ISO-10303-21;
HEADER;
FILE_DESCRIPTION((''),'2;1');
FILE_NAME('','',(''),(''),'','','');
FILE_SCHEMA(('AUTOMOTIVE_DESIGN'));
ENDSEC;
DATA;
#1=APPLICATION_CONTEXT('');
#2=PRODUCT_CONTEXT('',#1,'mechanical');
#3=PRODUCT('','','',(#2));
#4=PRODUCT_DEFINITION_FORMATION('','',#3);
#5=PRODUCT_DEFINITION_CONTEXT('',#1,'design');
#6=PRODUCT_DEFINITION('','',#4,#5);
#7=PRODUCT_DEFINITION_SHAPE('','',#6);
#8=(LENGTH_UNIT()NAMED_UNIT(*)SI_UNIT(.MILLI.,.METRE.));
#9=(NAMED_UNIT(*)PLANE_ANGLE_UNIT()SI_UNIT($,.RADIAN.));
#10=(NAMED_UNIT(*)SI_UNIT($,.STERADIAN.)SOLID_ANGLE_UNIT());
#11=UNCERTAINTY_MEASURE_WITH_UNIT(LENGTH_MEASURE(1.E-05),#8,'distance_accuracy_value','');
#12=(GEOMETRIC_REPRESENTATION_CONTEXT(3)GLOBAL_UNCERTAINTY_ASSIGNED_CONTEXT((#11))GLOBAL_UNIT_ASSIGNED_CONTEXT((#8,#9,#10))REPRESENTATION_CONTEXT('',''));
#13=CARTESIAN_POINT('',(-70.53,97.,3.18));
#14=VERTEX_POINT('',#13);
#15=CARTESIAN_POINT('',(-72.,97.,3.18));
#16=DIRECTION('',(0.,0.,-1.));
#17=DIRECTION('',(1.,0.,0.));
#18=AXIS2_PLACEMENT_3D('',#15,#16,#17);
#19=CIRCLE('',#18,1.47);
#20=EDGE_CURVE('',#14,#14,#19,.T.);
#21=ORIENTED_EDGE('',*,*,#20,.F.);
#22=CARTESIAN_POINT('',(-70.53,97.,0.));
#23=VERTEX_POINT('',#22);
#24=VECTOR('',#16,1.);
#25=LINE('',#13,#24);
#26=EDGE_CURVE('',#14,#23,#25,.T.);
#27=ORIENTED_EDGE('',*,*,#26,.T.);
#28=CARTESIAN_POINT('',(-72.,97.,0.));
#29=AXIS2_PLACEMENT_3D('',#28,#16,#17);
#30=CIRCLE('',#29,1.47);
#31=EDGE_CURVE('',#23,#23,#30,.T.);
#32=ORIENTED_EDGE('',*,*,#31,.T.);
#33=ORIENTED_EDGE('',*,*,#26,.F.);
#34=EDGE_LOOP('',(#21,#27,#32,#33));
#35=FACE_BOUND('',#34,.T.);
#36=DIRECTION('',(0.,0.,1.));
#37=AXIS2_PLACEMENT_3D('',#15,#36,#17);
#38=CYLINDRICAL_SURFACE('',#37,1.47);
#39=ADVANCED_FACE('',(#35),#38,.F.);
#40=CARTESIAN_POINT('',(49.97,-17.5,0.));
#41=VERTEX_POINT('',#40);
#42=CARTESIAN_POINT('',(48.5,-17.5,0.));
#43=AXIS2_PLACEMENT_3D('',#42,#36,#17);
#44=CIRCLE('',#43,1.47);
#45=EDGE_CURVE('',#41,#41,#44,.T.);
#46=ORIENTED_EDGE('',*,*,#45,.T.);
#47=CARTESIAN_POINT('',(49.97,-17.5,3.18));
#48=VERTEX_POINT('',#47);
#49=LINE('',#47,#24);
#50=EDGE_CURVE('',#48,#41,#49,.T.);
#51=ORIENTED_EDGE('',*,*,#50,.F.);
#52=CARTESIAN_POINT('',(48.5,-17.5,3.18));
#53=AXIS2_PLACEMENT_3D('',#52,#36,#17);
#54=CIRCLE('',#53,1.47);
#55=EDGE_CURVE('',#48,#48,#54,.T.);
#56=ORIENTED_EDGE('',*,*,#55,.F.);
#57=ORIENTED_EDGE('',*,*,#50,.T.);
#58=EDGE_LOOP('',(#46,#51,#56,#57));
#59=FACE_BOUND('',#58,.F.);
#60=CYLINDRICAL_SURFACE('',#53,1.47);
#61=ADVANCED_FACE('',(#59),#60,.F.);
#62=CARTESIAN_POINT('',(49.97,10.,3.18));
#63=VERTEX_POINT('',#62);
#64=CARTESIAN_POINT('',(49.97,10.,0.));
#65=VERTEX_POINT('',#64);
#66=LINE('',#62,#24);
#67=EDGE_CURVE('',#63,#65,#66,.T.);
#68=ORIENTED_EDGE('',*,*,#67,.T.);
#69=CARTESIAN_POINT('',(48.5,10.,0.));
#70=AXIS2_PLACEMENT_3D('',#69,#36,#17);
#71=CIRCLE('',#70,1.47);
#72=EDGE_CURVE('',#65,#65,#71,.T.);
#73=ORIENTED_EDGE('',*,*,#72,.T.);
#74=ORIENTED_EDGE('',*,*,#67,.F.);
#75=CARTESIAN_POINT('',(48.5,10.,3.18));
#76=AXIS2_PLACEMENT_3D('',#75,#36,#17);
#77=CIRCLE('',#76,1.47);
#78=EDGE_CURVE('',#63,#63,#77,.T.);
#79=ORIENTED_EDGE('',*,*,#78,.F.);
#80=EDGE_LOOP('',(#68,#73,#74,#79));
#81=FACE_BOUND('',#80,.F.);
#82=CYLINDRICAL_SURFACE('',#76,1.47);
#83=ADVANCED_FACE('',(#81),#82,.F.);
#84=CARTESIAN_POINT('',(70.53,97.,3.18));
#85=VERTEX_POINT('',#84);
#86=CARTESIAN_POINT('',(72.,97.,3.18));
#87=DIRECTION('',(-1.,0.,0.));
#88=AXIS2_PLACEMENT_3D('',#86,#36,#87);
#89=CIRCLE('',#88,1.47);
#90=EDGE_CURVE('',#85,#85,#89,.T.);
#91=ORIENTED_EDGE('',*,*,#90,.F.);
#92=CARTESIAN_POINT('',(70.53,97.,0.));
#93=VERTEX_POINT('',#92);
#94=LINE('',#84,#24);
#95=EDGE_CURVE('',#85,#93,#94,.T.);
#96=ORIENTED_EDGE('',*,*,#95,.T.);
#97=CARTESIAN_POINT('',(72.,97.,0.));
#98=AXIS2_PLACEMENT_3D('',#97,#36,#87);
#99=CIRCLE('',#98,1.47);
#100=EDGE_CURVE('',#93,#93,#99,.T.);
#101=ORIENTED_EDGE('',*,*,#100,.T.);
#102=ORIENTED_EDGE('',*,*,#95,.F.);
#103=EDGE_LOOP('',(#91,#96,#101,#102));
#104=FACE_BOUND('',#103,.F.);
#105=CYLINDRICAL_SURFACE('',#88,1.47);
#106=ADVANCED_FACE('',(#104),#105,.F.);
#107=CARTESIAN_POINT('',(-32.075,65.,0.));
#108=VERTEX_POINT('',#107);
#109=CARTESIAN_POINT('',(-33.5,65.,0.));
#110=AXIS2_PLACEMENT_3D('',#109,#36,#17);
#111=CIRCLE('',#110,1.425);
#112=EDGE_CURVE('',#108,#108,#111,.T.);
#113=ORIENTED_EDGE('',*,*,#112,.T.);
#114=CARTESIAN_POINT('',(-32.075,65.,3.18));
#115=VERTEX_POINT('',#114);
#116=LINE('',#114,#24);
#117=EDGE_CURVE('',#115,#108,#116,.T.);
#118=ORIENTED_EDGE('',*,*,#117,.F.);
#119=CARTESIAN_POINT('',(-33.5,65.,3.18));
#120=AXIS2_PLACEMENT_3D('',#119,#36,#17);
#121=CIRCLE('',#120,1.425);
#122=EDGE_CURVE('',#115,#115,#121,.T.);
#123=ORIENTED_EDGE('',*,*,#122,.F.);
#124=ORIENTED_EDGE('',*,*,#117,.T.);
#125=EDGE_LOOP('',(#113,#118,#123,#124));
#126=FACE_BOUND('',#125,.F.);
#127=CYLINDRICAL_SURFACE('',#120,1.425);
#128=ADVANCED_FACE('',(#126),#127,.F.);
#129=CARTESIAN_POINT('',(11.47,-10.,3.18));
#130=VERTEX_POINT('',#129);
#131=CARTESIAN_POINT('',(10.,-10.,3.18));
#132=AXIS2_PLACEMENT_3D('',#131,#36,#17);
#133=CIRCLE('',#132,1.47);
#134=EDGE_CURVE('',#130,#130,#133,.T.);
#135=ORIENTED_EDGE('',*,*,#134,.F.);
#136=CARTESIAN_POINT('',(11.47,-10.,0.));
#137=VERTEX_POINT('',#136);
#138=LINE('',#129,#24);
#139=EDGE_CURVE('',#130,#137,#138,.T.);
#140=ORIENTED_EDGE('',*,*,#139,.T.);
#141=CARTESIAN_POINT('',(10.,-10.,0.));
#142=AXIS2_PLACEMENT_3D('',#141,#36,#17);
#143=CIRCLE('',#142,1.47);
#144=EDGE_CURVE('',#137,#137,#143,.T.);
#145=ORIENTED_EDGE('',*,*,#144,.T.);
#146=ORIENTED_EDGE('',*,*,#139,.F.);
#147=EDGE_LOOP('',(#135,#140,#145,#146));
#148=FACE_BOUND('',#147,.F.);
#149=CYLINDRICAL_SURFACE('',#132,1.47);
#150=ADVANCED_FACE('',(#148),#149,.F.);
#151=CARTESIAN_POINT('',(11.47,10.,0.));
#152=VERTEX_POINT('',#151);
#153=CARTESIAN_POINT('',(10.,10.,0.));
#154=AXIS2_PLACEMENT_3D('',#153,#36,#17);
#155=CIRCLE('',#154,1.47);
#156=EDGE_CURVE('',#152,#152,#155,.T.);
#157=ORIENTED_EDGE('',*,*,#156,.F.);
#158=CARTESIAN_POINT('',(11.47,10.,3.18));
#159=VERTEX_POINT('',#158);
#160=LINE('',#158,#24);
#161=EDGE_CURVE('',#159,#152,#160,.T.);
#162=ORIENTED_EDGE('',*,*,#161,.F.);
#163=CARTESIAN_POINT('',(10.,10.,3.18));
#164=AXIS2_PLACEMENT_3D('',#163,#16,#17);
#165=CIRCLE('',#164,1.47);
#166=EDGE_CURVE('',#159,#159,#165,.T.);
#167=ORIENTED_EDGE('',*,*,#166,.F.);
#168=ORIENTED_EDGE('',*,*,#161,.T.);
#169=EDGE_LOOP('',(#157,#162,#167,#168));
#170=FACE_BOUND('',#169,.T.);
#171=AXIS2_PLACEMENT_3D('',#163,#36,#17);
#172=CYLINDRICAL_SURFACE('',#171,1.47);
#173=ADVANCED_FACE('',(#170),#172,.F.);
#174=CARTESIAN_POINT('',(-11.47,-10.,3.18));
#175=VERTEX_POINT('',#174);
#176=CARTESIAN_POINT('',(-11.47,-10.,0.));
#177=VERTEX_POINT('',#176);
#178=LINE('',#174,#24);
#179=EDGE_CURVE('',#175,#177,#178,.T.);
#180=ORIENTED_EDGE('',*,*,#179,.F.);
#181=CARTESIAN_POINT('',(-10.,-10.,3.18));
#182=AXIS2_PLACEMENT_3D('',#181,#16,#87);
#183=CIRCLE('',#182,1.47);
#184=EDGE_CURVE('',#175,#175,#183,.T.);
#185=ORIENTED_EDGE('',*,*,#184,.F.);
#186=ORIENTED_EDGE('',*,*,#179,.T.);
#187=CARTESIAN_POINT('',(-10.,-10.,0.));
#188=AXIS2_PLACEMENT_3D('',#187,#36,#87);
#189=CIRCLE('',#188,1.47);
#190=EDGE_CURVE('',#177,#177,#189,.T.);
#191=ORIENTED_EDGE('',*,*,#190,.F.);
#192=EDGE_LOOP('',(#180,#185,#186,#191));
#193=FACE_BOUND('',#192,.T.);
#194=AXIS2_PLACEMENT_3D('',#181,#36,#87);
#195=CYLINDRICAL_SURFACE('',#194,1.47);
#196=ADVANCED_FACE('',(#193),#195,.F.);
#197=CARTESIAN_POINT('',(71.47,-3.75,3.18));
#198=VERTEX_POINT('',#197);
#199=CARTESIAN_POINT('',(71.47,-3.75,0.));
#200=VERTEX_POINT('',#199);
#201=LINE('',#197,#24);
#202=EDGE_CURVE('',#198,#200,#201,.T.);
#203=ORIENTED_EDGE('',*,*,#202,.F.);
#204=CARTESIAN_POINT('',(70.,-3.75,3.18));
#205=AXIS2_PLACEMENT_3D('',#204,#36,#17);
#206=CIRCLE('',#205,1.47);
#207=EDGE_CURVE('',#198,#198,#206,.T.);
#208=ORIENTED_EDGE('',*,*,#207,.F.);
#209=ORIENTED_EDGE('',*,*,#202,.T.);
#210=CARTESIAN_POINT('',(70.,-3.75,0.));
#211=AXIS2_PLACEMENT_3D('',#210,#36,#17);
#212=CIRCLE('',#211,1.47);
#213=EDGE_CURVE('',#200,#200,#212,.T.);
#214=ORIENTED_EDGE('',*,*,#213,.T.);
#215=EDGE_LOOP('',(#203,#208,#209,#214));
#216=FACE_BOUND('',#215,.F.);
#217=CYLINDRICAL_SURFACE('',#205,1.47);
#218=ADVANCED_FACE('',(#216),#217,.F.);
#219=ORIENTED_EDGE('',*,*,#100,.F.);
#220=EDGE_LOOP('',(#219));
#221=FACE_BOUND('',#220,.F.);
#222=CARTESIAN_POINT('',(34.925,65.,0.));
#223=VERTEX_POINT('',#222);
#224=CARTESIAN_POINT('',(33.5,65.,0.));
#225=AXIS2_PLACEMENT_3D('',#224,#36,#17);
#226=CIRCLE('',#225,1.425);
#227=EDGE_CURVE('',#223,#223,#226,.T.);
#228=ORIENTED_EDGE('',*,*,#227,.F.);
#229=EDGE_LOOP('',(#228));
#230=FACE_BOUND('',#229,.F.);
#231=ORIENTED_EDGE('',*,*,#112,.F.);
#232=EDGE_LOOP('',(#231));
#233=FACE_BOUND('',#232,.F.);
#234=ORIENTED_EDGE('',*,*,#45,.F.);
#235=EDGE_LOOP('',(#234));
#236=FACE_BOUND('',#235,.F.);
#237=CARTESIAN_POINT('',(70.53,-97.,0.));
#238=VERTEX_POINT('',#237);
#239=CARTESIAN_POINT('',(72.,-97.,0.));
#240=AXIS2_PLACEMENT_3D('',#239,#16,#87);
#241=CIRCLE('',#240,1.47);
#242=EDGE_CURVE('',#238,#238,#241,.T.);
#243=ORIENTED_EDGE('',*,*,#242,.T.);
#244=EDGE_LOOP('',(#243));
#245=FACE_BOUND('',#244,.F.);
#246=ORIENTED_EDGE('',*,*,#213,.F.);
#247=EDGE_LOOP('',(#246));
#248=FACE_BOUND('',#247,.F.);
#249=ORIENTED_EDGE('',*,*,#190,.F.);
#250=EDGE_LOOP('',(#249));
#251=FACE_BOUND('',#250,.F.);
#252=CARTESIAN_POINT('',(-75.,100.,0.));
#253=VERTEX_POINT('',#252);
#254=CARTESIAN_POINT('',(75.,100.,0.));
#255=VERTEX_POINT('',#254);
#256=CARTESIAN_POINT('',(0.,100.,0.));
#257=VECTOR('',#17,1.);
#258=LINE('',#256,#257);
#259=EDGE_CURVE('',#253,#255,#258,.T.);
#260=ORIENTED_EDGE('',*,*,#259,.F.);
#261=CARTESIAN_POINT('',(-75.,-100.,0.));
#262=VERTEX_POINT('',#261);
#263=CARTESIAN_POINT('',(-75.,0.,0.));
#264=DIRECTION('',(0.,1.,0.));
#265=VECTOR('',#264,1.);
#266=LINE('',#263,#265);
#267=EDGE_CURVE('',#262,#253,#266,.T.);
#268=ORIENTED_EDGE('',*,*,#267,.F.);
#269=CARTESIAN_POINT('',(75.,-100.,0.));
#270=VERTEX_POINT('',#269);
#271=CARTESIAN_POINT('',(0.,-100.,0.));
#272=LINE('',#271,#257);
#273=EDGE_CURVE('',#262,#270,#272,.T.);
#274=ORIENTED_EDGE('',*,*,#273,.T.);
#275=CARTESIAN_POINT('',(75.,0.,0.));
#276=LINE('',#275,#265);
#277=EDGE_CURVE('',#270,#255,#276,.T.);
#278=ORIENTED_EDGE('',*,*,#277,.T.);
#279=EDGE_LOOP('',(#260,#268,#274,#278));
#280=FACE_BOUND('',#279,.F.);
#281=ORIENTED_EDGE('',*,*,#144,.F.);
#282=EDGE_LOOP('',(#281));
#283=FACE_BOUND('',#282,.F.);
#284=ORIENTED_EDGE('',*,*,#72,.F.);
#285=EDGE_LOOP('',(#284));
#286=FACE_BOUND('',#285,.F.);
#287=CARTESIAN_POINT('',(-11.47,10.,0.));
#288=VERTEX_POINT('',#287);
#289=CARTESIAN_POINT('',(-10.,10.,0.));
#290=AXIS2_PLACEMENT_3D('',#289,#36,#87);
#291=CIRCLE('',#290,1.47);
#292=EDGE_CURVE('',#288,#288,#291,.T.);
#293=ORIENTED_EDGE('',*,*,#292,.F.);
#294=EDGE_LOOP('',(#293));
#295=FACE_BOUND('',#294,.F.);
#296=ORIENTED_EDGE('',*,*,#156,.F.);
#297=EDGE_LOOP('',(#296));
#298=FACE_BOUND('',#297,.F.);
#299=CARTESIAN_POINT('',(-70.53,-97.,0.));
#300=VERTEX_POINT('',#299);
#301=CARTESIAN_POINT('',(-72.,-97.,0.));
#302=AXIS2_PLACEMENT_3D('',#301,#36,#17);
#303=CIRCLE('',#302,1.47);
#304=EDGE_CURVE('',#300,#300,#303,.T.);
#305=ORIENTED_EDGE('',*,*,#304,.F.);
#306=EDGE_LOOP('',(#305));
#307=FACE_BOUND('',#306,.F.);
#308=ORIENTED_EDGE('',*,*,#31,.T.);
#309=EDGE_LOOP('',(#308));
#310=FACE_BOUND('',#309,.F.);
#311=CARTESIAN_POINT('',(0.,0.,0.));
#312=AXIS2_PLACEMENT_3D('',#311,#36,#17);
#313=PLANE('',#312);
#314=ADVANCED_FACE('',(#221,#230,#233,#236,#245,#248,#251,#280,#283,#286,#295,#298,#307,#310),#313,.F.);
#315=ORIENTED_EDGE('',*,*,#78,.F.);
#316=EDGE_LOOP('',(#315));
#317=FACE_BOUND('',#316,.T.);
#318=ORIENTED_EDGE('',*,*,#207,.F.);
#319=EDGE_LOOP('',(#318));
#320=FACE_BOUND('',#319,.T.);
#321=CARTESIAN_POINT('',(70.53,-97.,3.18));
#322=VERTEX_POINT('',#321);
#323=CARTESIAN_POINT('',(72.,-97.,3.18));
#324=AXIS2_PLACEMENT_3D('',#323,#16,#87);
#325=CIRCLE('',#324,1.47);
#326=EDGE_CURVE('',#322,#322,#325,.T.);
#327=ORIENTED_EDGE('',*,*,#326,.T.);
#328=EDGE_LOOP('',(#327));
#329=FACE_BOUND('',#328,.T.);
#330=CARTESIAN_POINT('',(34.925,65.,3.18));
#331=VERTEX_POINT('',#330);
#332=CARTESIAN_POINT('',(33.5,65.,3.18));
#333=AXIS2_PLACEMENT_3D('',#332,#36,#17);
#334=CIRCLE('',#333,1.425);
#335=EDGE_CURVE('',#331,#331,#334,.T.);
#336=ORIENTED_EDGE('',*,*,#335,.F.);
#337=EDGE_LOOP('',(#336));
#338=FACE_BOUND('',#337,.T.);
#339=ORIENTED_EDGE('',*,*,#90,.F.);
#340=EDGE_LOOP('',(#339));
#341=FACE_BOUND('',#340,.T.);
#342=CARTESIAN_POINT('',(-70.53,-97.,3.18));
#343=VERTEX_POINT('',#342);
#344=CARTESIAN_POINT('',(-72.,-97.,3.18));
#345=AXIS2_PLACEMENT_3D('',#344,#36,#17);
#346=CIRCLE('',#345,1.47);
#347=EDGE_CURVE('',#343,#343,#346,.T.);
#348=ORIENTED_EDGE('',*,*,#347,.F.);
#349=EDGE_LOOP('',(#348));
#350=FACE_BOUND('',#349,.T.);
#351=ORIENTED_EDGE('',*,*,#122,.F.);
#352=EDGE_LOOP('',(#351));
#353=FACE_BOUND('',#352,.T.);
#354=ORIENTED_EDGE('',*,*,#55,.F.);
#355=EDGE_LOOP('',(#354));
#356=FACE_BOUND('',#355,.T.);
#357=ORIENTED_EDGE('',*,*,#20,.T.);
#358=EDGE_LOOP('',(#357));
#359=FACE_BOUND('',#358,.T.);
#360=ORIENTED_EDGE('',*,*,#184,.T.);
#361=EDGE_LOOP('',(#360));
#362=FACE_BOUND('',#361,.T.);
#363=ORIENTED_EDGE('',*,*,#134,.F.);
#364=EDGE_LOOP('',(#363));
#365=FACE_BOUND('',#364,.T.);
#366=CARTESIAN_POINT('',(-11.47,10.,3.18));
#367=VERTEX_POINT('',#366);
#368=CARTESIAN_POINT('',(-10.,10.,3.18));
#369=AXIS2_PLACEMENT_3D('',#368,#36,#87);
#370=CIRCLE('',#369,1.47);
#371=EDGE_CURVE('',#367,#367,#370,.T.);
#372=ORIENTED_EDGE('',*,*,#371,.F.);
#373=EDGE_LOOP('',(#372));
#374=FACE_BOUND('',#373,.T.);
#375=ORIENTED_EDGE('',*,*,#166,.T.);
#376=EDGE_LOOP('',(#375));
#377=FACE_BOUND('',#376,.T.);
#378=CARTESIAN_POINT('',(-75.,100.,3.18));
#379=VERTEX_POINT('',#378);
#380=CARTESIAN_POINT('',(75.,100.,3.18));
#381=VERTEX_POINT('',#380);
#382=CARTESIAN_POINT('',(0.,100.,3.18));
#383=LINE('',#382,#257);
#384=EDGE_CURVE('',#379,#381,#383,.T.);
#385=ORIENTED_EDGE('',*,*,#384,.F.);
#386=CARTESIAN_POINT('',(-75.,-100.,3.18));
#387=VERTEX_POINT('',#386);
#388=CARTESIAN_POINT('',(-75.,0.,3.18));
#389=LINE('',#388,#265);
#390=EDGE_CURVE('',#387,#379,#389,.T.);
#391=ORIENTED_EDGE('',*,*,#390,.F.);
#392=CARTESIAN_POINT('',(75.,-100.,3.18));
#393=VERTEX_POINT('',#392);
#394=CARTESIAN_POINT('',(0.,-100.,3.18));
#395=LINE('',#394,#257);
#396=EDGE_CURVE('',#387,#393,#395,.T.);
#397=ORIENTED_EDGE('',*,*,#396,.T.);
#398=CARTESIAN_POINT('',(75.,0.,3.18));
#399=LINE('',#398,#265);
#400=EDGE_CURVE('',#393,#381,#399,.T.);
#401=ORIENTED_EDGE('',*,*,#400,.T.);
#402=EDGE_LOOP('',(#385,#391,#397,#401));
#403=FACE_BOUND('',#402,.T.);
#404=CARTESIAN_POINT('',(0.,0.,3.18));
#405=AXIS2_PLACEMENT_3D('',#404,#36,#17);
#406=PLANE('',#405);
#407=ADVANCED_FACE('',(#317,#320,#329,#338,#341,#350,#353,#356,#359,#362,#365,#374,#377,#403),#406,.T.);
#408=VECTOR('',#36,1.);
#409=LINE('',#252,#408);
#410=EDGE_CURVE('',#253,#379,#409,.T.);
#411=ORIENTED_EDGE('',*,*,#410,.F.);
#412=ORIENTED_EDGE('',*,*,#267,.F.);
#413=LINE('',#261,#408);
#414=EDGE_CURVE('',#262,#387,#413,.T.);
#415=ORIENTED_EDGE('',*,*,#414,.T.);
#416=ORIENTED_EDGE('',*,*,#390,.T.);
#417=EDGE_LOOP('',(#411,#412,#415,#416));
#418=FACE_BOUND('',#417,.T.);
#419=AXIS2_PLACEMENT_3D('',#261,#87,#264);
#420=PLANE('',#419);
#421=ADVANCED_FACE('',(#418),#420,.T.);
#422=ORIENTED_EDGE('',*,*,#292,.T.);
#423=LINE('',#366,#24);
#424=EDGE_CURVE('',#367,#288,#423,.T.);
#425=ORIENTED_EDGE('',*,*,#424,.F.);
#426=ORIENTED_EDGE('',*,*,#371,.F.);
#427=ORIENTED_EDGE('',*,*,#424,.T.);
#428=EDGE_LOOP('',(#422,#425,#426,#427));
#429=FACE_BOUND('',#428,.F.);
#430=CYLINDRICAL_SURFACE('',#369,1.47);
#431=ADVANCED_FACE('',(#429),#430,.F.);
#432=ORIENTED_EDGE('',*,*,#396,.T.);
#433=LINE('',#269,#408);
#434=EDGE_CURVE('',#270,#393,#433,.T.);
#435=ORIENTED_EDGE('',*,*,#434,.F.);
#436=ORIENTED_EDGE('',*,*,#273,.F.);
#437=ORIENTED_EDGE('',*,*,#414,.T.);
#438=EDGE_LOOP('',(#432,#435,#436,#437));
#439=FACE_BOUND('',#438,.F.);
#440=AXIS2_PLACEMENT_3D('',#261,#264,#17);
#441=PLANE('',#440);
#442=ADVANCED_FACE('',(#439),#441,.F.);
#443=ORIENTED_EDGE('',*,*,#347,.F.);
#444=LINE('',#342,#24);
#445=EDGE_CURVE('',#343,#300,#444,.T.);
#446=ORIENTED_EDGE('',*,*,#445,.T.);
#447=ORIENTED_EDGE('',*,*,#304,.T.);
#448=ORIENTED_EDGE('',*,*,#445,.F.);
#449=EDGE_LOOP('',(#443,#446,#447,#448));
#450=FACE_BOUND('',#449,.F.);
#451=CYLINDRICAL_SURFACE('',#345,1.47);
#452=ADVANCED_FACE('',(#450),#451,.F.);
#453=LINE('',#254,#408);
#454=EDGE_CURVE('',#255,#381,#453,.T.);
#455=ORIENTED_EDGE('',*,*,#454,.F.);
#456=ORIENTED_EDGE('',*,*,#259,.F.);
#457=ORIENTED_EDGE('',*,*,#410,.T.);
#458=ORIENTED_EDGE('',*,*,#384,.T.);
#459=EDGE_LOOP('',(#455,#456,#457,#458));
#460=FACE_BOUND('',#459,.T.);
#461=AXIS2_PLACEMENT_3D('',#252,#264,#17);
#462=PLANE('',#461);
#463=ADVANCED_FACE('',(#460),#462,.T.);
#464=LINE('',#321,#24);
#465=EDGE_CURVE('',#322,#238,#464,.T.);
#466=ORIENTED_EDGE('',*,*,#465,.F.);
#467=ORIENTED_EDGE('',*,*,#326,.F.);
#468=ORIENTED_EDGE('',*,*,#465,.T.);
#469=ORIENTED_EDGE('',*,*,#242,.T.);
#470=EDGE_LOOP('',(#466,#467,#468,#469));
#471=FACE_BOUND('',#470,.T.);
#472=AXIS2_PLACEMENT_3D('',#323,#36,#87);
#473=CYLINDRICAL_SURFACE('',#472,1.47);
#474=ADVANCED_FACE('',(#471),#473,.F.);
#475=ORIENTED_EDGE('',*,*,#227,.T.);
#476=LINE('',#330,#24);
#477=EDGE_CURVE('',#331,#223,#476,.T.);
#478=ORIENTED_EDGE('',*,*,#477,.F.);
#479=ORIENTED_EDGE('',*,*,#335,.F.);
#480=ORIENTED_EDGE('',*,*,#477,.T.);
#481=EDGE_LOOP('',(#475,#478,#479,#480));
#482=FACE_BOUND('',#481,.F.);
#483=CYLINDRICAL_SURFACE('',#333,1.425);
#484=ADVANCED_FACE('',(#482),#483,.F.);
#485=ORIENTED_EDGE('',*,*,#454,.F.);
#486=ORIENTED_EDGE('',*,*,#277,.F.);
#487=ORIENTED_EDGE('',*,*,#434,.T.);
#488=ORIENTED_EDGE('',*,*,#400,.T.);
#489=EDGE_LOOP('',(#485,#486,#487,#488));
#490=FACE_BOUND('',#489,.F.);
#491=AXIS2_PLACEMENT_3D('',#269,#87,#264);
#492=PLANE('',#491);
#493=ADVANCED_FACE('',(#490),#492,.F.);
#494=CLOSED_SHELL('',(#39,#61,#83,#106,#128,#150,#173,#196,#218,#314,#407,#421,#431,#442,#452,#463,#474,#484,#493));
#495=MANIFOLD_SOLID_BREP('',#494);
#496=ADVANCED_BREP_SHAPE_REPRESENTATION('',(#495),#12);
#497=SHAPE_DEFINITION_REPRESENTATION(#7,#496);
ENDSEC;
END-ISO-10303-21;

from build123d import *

# Parameters (mm, degrees)
SKETCH1_W               = 150
SKETCH1_H               = 200
BOSS_EXTRUDE1_DEPTH     = 3.18
SKETCH4_R               = 1.47
CUT_EXTRUDE2_DEPTH      = 10
MIRROR4_COPY_1_SKETCH_R = 1.47
MIRROR4_COPY_1_DEPTH    = 10
MIRROR4_COPY_2_SKETCH_R = 1.47
MIRROR4_COPY_2_DEPTH    = 10
SKETCH5_R               = 1.47
CUT_EXTRUDE3_DEPTH      = 3.18
MIRROR6_COPY_1_SKETCH_R = 1.47
MIRROR6_COPY_1_DEPTH    = 3.18
MIRROR6_COPY_2_SKETCH_R = 1.47
MIRROR6_COPY_2_DEPTH    = 3.18
SKETCH6_R               = 1.425
CUT_EXTRUDE5_DEPTH      = 3.18
SKETCH7_R               = 1.47
CUT_EXTRUDE6_DEPTH      = 3.18


with BuildPart() as part:
    # Sketch1 → Boss-Extrude1 (new body)
    with BuildSketch(Plane.XY):
        Rectangle(SKETCH1_W, SKETCH1_H)
    extrude(amount=BOSS_EXTRUDE1_DEPTH)

    # Sketch4 → Cut-Extrude2 (cut)
    with BuildSketch(Plane.XY.offset(3.18)):
        with Locations((10, -10)):
            Circle(SKETCH4_R)
    cut_extrude2 = extrude(amount=-CUT_EXTRUDE2_DEPTH, mode=Mode.SUBTRACT)

    # Mirror3: Cut-Extrude2 across plane
    add(cut_extrude2.mirror(Plane(origin=(0, 0, 0), x_dir=(0, 0, 1), z_dir=(1, 0, 0))), mode=Mode.SUBTRACT)

    # Mirror4 copy 1 sketch → Mirror4 copy 1 (cut)
    with BuildSketch(Plane(origin=(0, 0, 3.18), x_dir=(-1, 0, 0), z_dir=(0, 0, 1))):
        with Locations((10, -10)):
            Circle(MIRROR4_COPY_1_SKETCH_R)
    extrude(amount=-MIRROR4_COPY_1_DEPTH, mode=Mode.SUBTRACT)

    # Mirror4 copy 2 sketch → Mirror4 copy 2 (cut)
    with BuildSketch(Plane.XY.offset(3.18)):
        with Locations((10, 10)):
            Circle(MIRROR4_COPY_2_SKETCH_R)
    extrude(amount=-MIRROR4_COPY_2_DEPTH, mode=Mode.SUBTRACT)

    # Sketch5 → Cut-Extrude3 (cut)
    with BuildSketch(Plane.XY.offset(3.18)):
        with Locations((-72, -97)):
            Circle(SKETCH5_R)
    cut_extrude3 = extrude(amount=-CUT_EXTRUDE3_DEPTH, mode=Mode.SUBTRACT)

    # Mirror5: Cut-Extrude3 across plane
    add(cut_extrude3.mirror(Plane(origin=(0, 0, 0), x_dir=(0, 0, 1), z_dir=(1, 0, 0))), mode=Mode.SUBTRACT)

    # Mirror6 copy 1 sketch → Mirror6 copy 1 (cut)
    with BuildSketch(Plane(origin=(0, 0, 3.18), x_dir=(-1, 0, 0), z_dir=(0, 0, 1))):
        with Locations((-72, -97)):
            Circle(MIRROR6_COPY_1_SKETCH_R)
    extrude(amount=-MIRROR6_COPY_1_DEPTH, mode=Mode.SUBTRACT)

    # Mirror6 copy 2 sketch → Mirror6 copy 2 (cut)
    with BuildSketch(Plane.XY.offset(3.18)):
        with Locations((-72, 97)):
            Circle(MIRROR6_COPY_2_SKETCH_R)
    extrude(amount=-MIRROR6_COPY_2_DEPTH, mode=Mode.SUBTRACT)

    # Sketch6 → Cut-Extrude5 (cut)
    with BuildSketch(Plane.XY.offset(3.18)):
        with Locations((33.5, 65)):
            Circle(SKETCH6_R)
        with Locations((-33.5, 65)):
            Circle(SKETCH6_R)
    extrude(amount=-CUT_EXTRUDE5_DEPTH, mode=Mode.SUBTRACT)

    # Sketch7 → Cut-Extrude6 (cut)
    with BuildSketch(Plane.XY.offset(3.18)):
        with Locations((70, -3.75)):
            Circle(SKETCH7_R)
        with Locations((48.5, 10)):
            Circle(SKETCH7_R)
        with Locations((48.5, -17.5)):
            Circle(SKETCH7_R)
    extrude(amount=-CUT_EXTRUDE6_DEPTH, mode=Mode.SUBTRACT)


solid = part.part
